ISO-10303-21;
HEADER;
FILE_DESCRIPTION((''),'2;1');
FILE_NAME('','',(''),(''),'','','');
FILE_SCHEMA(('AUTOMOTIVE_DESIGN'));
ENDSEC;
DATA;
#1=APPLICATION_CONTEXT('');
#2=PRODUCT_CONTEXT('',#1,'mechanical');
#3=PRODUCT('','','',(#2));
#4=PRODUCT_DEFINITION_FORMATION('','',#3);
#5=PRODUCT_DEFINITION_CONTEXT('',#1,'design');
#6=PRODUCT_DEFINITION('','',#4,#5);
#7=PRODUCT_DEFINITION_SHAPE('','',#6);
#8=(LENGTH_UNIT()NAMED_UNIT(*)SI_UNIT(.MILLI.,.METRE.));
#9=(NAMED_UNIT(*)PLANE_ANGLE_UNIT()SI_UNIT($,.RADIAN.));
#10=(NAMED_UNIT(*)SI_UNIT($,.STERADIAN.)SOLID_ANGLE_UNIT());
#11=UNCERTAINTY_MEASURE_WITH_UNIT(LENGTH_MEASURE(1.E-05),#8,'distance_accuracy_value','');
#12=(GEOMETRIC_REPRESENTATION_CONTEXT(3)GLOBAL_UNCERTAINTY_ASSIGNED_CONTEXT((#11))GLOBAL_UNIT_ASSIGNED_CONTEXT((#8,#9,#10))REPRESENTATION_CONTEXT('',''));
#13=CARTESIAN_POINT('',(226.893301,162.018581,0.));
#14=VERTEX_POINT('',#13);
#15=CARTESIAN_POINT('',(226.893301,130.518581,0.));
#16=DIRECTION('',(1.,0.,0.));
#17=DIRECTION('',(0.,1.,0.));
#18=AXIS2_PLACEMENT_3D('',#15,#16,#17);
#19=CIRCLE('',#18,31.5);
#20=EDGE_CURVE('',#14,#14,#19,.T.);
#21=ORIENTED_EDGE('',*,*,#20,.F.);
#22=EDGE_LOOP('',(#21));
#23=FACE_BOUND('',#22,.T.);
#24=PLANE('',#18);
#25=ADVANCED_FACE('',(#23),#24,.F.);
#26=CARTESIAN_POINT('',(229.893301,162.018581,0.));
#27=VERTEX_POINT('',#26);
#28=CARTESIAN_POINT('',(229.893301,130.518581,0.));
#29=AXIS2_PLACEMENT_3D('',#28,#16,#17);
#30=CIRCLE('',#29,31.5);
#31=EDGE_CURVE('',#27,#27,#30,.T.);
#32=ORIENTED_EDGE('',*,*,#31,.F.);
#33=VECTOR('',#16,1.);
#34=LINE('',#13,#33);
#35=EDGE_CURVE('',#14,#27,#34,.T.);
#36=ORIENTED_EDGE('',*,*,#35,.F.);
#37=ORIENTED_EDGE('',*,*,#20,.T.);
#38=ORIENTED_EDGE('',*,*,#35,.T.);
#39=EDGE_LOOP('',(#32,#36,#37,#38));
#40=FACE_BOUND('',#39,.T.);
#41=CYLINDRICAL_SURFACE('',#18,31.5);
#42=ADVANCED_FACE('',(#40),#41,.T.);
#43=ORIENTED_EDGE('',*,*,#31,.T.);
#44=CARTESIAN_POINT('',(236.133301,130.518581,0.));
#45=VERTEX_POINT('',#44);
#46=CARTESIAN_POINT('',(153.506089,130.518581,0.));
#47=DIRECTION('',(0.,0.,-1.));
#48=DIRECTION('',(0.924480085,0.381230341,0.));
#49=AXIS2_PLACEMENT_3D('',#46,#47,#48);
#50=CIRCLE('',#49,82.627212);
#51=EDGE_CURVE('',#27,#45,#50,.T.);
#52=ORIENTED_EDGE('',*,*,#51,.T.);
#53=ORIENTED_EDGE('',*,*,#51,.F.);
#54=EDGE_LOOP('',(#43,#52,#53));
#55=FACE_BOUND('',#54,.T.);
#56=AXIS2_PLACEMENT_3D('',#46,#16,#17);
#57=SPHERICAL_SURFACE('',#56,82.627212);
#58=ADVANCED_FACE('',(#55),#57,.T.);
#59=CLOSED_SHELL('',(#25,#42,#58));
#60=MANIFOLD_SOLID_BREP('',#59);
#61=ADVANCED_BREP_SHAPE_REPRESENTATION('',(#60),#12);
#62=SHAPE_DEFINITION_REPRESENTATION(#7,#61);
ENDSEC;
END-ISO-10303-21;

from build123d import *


with BuildPart() as part:
    # 草图2 → 旋转1 (revolve)
    with BuildSketch(Plane.XY):
        with BuildLine():
            Line((226.893301001, 130.518581457), (226.893301001, 162.018581457))
            Line((226.893301001, 162.018581457), (229.893301001, 162.018581457))
            ThreePointArc((229.893301001, 162.018581457), (234.558289844, 146.57463639), (236.133301001, 130.518581457))
            Line((236.133301001, 130.518581457), (226.893301001, 130.518581457))
        make_face()
    revolve(axis=Axis((218.123666737, 130.518581457, 0), (1, 0, 0)))


solid = part.part
